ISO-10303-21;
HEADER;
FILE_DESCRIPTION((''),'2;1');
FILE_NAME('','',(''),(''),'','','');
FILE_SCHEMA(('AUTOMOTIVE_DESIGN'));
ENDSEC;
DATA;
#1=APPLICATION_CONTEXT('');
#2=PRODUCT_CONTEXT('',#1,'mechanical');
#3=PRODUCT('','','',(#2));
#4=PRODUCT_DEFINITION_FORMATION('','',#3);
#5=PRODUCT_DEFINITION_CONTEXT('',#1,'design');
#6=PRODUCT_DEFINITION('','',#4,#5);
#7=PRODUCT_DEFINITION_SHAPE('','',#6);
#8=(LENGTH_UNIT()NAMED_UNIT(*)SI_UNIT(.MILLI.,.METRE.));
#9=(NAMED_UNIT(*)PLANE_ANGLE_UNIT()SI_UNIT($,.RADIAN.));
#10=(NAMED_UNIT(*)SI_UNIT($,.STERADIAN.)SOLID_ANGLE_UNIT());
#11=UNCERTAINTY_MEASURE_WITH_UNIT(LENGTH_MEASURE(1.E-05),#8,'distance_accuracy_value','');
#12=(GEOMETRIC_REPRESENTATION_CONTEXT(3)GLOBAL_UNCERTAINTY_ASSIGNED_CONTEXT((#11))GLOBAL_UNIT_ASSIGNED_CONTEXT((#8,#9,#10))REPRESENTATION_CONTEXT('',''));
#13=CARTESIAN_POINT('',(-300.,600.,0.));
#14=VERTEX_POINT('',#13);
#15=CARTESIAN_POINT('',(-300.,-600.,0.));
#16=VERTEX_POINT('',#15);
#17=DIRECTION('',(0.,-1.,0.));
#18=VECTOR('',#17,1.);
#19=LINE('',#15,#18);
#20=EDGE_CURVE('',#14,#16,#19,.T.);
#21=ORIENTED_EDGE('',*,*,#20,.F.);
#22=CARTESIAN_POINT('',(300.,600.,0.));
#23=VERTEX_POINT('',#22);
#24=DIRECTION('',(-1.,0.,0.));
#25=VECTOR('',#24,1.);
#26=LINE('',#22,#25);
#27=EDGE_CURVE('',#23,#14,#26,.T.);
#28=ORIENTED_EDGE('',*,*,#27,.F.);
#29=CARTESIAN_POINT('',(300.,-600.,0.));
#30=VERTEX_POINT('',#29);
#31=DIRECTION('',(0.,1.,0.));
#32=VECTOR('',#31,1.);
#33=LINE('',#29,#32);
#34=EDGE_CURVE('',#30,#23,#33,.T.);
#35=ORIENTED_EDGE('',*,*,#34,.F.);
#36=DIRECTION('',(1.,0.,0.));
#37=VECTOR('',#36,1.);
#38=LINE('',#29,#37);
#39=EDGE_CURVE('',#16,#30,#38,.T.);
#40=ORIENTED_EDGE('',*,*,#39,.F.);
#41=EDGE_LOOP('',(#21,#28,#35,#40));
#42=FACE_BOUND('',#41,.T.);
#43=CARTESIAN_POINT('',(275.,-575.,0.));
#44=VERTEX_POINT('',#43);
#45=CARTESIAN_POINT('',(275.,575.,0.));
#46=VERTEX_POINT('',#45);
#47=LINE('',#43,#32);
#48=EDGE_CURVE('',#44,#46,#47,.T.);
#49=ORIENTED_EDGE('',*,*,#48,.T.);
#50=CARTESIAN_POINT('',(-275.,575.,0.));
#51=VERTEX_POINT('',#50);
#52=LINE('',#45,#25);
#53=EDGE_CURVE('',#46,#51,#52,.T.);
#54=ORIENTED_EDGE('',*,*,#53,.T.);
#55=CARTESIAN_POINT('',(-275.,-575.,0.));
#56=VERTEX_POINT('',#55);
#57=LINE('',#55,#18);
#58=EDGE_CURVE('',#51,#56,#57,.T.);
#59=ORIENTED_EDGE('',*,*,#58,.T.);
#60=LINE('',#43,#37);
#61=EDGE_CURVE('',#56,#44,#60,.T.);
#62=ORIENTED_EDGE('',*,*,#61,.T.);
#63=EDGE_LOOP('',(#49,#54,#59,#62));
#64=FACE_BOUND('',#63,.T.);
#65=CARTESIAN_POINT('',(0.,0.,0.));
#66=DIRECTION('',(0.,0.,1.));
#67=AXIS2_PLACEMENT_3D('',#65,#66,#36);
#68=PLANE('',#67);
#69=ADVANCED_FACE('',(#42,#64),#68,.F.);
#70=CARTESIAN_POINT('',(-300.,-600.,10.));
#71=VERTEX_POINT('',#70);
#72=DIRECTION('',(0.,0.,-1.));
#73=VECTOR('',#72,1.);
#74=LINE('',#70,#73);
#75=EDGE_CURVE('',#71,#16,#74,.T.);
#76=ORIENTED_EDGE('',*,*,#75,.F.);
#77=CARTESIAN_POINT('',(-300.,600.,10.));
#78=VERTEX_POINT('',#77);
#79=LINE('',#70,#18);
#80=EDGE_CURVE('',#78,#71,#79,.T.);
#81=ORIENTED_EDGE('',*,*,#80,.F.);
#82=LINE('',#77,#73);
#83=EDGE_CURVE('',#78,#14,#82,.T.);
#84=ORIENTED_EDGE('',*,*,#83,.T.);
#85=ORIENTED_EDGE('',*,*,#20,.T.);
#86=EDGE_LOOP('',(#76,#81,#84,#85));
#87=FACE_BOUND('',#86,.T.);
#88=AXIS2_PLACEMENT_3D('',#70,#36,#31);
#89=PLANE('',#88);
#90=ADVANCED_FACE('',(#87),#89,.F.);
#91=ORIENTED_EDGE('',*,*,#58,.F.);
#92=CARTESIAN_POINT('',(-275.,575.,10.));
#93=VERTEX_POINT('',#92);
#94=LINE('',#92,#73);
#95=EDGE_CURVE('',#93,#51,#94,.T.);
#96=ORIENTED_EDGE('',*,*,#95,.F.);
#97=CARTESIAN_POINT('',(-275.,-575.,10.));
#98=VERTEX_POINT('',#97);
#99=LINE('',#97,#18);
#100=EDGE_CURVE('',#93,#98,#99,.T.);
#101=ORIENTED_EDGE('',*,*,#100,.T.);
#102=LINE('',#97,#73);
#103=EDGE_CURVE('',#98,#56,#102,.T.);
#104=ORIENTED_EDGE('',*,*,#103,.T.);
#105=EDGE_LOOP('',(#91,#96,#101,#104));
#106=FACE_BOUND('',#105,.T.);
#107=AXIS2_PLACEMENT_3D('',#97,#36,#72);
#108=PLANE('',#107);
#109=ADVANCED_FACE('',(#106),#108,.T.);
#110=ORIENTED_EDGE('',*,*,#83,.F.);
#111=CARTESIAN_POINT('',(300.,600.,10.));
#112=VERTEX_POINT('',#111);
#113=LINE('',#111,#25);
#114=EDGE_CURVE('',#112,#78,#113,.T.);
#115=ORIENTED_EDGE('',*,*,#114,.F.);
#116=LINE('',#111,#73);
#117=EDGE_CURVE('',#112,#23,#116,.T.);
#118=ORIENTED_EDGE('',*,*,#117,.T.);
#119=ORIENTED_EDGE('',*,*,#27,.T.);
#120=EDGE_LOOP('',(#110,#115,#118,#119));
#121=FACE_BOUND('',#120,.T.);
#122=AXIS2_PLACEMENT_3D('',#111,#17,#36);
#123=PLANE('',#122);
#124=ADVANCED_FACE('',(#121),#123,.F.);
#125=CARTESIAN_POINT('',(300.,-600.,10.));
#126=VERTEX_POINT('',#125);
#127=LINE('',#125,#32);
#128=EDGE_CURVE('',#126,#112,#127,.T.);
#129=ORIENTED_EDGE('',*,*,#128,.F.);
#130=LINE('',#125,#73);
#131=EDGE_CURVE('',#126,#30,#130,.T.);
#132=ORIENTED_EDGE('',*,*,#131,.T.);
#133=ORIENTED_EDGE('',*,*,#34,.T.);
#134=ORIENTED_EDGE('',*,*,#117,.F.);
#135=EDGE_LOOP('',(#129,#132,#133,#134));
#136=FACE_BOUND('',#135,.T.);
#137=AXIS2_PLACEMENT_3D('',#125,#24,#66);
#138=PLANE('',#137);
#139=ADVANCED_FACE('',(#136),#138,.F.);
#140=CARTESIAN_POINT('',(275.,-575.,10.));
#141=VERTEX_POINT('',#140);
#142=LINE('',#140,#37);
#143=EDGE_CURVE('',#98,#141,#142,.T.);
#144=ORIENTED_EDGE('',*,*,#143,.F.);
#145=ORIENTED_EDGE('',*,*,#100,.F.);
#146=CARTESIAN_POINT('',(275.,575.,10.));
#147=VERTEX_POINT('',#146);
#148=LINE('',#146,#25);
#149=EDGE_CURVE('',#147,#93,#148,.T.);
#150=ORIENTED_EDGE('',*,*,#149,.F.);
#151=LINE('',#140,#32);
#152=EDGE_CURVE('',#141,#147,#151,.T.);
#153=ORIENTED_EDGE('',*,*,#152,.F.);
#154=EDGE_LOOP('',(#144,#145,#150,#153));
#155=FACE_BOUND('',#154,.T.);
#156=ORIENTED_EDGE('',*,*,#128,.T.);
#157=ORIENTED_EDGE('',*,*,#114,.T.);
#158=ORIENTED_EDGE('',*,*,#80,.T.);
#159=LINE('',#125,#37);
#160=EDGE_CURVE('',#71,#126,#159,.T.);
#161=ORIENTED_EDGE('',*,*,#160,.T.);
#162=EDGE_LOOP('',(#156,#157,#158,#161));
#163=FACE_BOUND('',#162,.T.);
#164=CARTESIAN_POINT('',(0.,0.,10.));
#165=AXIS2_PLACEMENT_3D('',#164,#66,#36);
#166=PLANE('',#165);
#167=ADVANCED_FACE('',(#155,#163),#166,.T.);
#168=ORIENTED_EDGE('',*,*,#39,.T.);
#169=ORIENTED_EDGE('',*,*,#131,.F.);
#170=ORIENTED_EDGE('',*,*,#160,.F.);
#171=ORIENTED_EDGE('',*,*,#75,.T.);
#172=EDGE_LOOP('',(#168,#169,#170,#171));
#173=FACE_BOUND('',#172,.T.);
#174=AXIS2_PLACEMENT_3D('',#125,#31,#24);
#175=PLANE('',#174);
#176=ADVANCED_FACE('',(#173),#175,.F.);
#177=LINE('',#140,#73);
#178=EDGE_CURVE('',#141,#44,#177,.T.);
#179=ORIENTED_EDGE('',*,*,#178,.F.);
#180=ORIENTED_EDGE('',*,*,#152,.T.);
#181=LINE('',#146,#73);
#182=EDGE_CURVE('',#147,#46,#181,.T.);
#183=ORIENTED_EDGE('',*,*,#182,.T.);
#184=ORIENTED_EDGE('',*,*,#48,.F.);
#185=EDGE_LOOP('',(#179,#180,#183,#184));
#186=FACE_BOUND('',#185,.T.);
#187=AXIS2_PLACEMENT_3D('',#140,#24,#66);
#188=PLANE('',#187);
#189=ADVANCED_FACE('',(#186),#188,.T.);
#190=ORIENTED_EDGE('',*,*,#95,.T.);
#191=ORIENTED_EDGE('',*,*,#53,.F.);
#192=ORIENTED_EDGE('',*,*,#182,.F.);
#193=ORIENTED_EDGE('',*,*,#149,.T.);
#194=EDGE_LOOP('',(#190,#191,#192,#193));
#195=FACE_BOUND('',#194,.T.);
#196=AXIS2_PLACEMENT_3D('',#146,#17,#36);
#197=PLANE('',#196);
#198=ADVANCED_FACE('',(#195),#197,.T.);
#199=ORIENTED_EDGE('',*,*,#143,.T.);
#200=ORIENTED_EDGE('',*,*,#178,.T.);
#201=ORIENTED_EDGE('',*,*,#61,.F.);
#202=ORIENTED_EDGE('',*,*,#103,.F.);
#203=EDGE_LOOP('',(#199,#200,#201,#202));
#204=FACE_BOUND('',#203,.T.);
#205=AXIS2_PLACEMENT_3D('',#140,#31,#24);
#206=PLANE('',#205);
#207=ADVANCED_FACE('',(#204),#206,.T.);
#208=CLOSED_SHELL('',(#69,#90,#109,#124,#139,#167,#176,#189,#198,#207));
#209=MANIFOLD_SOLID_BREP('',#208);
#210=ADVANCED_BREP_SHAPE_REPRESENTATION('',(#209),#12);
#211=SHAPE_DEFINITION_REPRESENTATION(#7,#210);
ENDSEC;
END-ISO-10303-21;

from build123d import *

# Parameters (mm, degrees)
SKETCH1_W           = 600
SKETCH1_H           = 1200
SKETCH1_W_2         = 550
SKETCH1_H_2         = 1150
BOSS_EXTRUDE1_DEPTH = 10


with BuildPart() as part:
    # Sketch1 → Boss-Extrude1 (new body)
    with BuildSketch(Plane.XY):
        Rectangle(SKETCH1_W, SKETCH1_H)
        Rectangle(SKETCH1_W_2, SKETCH1_H_2, mode=Mode.SUBTRACT)
    extrude(amount=BOSS_EXTRUDE1_DEPTH)


solid = part.part
